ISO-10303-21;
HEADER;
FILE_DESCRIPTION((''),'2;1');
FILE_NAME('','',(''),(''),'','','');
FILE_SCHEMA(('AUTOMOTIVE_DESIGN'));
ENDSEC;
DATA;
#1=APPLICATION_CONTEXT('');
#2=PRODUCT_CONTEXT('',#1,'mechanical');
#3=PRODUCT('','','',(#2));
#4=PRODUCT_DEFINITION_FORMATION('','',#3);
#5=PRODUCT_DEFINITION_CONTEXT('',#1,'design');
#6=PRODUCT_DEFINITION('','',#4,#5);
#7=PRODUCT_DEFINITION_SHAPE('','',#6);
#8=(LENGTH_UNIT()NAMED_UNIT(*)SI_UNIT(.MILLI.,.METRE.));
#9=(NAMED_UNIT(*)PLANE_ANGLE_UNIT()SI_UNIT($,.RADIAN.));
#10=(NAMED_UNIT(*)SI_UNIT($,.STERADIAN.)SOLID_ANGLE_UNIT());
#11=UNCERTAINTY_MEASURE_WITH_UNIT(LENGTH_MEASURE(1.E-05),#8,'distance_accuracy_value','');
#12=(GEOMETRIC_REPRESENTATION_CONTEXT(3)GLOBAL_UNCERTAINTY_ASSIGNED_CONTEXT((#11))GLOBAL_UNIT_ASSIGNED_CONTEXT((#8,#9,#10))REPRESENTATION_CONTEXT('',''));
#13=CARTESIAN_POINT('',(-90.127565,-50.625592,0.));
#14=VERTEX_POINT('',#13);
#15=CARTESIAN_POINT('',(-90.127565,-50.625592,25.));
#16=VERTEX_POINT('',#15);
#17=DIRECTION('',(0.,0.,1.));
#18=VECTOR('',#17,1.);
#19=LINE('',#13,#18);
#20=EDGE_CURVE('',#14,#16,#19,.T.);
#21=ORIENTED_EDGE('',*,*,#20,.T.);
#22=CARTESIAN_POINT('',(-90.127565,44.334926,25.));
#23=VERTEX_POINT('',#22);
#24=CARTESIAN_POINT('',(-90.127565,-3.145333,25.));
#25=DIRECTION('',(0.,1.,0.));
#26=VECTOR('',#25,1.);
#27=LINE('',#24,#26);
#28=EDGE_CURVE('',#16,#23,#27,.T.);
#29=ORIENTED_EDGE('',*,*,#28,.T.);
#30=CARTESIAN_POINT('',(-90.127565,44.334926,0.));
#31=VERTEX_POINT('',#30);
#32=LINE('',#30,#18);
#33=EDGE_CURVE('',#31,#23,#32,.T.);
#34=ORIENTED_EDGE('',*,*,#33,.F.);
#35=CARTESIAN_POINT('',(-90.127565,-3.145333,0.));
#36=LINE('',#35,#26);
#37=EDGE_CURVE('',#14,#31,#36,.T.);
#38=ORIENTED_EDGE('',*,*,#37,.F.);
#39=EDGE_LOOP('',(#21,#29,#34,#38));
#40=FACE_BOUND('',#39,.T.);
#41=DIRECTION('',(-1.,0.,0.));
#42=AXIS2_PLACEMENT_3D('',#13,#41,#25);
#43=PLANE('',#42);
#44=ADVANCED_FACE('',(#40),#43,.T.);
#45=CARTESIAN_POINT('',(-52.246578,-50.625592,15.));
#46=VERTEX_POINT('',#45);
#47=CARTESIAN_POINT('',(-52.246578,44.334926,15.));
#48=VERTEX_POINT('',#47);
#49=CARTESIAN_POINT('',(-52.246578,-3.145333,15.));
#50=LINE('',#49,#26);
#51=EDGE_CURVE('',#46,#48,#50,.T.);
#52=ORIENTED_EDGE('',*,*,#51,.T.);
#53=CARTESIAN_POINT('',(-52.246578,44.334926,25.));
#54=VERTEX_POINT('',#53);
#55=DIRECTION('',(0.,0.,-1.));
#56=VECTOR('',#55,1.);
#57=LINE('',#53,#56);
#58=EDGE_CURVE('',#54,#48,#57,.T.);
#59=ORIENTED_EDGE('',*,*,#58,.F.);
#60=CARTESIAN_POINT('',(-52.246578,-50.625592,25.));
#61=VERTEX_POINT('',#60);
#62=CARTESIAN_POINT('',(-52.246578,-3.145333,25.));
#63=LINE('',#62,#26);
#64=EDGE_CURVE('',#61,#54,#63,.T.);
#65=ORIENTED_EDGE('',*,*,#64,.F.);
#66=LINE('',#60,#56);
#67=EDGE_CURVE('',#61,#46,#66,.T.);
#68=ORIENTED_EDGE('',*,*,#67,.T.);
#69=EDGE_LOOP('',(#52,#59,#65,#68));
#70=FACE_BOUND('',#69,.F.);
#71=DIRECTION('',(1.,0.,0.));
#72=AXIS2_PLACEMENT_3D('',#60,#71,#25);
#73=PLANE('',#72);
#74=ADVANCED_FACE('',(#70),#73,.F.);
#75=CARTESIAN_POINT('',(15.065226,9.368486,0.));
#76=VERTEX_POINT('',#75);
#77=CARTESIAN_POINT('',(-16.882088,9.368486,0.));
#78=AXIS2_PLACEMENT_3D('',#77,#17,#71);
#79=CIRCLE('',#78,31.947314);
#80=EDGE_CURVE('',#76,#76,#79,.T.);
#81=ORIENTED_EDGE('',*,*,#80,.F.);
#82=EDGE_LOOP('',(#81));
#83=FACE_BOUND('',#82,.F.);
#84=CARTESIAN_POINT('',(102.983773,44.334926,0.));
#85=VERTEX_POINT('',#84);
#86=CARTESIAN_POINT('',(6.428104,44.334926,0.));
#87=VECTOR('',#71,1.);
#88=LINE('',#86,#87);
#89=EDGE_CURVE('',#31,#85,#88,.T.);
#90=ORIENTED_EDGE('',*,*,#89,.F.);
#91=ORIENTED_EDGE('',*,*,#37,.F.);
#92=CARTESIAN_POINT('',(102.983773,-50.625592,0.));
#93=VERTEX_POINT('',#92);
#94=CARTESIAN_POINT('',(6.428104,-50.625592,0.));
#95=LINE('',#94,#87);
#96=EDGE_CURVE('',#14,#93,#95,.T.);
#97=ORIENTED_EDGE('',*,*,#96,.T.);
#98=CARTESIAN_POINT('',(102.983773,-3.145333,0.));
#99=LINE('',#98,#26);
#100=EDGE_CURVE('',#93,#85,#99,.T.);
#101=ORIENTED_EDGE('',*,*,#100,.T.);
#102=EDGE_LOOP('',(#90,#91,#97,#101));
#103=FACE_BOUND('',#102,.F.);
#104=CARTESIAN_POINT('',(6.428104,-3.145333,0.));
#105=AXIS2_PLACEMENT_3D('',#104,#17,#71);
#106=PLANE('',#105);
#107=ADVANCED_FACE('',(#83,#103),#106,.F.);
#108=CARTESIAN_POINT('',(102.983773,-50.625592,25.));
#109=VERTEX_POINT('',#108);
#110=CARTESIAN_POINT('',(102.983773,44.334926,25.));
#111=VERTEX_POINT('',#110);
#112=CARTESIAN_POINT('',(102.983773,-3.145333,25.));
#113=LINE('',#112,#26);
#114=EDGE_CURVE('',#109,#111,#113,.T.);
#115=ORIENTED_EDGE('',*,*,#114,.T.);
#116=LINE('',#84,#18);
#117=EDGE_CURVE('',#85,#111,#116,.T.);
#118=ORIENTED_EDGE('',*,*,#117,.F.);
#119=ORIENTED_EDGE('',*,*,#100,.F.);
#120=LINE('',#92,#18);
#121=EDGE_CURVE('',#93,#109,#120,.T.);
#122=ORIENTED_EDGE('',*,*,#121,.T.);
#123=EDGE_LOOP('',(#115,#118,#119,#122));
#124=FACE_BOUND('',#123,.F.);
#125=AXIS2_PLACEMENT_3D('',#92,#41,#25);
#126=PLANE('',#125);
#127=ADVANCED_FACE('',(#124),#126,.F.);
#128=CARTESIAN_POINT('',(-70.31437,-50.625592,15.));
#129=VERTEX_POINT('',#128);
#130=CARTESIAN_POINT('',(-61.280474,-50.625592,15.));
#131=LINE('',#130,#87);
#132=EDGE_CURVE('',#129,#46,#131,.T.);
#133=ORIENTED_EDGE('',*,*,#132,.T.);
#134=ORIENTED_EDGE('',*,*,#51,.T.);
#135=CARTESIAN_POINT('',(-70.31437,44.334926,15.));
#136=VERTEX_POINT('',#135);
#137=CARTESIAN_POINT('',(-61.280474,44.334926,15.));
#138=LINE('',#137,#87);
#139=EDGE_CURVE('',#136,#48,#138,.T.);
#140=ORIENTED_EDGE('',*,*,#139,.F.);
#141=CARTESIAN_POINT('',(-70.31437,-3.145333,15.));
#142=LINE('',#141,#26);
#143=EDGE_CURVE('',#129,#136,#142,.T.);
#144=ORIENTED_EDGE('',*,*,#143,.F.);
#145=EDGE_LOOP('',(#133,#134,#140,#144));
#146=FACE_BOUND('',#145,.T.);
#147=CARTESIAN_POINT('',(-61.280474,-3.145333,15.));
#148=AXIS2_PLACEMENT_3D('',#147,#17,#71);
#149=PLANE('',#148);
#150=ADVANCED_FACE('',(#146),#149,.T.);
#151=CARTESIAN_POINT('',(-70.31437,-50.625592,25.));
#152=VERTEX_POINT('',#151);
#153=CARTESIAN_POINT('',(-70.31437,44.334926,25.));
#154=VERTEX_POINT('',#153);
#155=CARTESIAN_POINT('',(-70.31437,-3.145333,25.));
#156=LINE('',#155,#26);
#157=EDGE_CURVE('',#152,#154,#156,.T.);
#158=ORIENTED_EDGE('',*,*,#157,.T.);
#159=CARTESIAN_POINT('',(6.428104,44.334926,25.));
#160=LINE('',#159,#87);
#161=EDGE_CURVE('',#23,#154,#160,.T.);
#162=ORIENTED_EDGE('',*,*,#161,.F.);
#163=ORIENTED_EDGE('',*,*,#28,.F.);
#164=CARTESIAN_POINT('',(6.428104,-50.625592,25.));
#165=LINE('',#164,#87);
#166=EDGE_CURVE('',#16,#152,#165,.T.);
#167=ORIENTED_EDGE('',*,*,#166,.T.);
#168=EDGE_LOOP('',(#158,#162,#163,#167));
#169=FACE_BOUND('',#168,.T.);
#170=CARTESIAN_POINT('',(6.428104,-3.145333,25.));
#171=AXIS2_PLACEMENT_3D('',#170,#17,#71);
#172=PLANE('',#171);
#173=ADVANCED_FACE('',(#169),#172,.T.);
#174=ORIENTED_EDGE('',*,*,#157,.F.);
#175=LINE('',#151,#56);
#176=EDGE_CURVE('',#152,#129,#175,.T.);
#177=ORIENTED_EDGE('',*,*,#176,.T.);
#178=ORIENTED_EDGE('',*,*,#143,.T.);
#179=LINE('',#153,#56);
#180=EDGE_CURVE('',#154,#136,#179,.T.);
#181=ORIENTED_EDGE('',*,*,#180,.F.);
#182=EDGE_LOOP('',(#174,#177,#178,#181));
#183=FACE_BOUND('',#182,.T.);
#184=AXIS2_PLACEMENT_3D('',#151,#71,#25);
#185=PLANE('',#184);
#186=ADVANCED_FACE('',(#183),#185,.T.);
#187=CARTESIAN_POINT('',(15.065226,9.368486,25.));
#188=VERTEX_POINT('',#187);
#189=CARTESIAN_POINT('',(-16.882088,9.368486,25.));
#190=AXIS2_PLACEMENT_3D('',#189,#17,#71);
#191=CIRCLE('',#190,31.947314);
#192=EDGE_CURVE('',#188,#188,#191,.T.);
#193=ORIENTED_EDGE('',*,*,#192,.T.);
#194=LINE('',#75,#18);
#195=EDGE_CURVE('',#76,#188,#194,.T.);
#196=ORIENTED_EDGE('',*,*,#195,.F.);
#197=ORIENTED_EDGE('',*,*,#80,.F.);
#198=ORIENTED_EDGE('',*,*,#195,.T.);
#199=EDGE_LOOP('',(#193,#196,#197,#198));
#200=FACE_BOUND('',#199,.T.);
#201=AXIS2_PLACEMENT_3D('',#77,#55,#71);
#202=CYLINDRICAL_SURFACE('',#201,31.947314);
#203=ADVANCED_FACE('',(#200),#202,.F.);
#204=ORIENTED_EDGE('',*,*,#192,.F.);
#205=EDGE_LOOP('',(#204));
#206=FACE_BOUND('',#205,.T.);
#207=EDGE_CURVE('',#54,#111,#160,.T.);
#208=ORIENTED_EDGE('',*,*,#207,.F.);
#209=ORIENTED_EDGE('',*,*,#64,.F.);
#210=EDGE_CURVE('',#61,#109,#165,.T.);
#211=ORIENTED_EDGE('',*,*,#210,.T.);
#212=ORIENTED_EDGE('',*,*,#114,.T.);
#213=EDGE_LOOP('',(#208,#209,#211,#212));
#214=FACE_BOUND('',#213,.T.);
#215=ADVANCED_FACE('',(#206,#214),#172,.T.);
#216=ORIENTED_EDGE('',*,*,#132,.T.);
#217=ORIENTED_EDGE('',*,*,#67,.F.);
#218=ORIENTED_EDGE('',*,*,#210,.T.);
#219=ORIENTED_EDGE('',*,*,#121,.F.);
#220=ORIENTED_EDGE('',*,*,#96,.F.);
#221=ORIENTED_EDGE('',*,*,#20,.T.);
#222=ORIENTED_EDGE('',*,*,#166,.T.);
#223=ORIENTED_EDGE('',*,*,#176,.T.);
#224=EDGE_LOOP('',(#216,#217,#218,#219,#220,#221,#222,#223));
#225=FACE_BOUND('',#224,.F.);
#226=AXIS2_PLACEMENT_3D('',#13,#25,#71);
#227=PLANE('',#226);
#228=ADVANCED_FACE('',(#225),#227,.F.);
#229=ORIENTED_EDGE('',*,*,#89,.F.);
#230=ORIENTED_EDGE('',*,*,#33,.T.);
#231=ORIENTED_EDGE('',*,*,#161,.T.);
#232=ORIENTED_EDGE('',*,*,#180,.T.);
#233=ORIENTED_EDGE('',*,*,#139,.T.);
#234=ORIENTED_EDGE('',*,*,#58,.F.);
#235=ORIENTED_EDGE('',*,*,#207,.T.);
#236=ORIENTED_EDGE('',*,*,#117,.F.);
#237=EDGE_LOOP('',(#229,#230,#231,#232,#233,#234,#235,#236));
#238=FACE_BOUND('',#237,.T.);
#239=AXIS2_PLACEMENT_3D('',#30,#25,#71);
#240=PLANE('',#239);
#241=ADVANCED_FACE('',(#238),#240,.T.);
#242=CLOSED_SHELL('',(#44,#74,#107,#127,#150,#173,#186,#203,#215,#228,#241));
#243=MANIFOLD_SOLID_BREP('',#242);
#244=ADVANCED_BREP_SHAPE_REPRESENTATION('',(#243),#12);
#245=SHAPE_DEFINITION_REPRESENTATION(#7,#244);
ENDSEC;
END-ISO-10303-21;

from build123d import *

# Parameters (mm, degrees)
F1_W     = 193.111338
F1_H     = 94.960518
F1_R     = 31.947314
F2_DEPTH = 25
F3_W     = 18.067792
F3_H     = 94.960518
F4_DEPTH = 10


with BuildPart() as f2:
    # F1 (on face) → F2 (new body)
    with BuildSketch(Plane.XY):
        with Locations((6.428104, -3.145333)):
            Rectangle(F1_W, F1_H)
        with Locations((-16.882088, 9.368486)):
            Circle(F1_R, mode=Mode.SUBTRACT)
    extrude(amount=F2_DEPTH)

    # F3 (on face) → F4 (cut)
    with BuildSketch(Plane.XY.offset(25)):
        with Locations((-61.280474, -3.145333)):
            Rectangle(F3_W, F3_H)
    extrude(amount=-F4_DEPTH, mode=Mode.SUBTRACT)


solid = f2.part
